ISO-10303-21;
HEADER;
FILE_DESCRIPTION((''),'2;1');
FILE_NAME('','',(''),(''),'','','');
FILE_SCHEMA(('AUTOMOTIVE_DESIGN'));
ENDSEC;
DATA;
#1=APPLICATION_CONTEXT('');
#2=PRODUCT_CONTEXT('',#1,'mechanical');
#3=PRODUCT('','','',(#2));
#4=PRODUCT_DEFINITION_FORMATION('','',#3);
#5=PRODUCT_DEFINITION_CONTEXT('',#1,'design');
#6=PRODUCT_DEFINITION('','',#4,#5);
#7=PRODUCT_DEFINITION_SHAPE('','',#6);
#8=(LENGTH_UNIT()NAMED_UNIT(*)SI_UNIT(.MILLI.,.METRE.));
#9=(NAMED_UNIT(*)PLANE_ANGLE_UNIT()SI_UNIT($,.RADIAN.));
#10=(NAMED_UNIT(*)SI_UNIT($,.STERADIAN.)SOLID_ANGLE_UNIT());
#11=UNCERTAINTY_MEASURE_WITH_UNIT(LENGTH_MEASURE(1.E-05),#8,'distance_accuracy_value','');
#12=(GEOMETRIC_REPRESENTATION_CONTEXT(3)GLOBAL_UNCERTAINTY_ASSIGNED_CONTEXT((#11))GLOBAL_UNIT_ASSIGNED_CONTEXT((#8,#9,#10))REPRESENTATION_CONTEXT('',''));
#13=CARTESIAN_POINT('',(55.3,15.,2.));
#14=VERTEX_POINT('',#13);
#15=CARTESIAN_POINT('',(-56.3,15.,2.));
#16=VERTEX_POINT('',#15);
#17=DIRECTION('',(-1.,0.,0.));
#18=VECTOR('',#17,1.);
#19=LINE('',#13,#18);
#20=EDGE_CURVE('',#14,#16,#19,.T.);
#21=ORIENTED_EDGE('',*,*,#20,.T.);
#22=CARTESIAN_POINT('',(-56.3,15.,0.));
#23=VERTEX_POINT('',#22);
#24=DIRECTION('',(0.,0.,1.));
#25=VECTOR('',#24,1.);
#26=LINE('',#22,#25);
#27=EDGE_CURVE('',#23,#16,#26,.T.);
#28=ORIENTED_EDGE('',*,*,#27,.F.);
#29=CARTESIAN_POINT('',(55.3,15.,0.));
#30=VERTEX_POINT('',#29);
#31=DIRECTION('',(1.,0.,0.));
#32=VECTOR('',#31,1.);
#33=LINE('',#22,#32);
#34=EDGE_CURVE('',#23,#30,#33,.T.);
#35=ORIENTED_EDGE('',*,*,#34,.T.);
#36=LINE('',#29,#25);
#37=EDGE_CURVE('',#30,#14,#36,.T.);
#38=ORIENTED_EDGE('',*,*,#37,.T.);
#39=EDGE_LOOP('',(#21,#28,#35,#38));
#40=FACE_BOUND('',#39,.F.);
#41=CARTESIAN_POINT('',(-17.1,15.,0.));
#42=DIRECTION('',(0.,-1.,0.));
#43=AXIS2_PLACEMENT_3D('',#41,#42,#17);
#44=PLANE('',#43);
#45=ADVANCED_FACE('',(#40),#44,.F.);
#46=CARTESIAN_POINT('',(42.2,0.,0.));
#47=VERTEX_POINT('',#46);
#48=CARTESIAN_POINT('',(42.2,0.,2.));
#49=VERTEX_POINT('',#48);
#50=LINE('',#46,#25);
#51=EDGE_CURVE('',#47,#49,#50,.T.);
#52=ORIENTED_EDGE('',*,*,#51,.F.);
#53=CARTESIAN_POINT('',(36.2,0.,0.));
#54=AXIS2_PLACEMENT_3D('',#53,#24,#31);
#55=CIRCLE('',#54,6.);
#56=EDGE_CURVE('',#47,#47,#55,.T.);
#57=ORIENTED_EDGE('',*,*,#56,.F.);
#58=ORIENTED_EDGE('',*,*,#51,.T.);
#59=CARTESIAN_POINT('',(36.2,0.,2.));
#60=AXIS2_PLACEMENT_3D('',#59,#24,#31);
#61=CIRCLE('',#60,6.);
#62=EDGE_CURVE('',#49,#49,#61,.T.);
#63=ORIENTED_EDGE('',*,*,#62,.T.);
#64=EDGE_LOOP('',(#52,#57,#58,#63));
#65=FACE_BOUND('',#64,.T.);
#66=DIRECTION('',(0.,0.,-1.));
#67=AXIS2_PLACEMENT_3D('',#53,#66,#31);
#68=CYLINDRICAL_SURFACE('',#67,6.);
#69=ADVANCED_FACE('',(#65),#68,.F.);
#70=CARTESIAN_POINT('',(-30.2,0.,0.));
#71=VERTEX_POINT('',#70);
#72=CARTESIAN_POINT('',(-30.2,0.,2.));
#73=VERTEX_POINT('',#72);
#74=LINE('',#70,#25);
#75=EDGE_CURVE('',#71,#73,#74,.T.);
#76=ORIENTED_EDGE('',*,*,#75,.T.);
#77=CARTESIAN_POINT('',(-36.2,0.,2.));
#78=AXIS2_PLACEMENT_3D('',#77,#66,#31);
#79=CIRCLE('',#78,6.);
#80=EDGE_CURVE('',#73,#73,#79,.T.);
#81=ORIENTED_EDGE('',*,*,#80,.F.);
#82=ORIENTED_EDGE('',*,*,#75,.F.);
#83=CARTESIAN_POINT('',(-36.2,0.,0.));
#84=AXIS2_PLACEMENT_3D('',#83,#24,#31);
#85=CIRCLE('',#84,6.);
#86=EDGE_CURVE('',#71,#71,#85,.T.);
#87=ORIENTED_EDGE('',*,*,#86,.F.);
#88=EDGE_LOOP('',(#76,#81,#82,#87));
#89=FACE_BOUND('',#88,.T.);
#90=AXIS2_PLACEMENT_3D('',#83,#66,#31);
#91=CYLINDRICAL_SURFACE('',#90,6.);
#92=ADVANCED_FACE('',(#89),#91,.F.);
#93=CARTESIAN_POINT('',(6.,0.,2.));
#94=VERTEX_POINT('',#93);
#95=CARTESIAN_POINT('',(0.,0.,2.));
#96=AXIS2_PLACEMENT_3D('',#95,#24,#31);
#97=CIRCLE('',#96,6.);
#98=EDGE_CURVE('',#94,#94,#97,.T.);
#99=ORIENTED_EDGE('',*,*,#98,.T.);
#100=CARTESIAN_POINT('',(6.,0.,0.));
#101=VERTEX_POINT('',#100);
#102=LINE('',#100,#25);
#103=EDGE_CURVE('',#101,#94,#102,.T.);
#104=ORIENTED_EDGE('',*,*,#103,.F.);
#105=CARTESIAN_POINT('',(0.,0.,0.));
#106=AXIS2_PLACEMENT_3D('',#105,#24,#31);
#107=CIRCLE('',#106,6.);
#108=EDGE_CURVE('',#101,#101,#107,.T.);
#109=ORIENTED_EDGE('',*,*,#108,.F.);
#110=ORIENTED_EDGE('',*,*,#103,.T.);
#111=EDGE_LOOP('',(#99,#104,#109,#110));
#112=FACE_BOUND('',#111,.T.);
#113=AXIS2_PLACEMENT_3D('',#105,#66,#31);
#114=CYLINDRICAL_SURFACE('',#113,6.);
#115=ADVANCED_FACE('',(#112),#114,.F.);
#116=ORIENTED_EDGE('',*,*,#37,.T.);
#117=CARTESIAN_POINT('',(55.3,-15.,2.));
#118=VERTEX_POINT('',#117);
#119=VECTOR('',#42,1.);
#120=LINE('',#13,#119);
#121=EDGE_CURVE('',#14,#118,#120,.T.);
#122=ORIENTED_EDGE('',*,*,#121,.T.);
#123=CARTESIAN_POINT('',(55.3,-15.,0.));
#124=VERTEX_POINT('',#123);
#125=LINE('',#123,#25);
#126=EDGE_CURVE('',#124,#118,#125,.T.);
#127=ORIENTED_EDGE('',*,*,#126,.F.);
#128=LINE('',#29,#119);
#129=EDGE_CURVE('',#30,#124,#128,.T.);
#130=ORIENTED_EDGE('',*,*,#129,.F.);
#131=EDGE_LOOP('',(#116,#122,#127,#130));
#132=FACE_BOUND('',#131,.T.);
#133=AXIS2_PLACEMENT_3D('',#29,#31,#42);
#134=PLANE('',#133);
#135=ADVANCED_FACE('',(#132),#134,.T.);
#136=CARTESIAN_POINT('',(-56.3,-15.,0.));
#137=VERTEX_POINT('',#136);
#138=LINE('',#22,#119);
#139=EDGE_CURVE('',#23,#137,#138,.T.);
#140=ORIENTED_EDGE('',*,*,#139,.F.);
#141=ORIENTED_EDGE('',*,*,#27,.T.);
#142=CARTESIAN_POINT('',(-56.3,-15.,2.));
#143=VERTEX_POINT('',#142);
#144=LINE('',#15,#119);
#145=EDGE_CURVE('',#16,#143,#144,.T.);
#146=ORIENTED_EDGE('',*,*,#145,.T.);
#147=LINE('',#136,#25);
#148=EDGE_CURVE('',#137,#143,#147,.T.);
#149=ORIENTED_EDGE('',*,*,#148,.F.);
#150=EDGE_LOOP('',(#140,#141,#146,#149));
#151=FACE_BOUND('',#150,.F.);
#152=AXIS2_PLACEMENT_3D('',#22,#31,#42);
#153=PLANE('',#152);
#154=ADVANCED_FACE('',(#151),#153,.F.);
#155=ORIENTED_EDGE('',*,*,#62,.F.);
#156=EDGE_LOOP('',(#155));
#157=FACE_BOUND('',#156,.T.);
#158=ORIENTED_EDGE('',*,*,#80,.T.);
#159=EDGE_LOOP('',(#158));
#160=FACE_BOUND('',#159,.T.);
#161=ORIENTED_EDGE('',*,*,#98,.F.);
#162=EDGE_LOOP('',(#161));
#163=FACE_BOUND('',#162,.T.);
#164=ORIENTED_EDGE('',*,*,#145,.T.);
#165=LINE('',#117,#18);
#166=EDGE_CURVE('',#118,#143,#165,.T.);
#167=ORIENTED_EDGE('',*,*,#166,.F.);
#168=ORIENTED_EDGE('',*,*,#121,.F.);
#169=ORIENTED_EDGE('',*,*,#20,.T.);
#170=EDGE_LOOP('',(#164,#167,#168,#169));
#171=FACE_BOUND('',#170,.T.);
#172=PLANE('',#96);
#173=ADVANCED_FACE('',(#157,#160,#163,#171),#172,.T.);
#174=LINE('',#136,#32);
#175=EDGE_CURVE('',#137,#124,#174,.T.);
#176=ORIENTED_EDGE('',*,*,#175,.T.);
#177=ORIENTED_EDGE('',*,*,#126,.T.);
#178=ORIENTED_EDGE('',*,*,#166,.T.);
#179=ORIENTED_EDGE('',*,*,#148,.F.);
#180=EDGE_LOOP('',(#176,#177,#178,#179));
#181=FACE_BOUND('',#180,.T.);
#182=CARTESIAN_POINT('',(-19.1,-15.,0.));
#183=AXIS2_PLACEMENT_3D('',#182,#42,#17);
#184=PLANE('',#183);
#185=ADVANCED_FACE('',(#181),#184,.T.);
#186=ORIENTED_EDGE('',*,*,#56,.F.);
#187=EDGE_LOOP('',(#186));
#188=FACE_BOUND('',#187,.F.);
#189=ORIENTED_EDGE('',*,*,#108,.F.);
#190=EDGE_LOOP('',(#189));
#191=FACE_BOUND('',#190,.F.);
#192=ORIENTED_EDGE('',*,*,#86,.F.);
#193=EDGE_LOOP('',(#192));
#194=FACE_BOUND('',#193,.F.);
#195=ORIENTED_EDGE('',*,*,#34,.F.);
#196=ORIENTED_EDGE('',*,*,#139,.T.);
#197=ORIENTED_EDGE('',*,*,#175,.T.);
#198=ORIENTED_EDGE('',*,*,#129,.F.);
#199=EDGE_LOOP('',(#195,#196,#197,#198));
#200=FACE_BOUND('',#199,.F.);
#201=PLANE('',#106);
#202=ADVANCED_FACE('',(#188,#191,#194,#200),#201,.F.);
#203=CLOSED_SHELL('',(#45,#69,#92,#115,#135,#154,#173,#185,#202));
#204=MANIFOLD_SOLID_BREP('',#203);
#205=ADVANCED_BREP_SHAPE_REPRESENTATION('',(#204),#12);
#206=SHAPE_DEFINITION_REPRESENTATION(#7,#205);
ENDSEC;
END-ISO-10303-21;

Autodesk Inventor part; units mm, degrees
ref_plane "YZ Plane" through (0, 0, 0) normal (1, 0, 0) x (0, 1, 0)
ref_plane "XZ Plane" through (0, 0, 0) normal (0, 1, 0) x (-1, 0, 0)
ref_plane "XY Plane" through (0, 0, 0) normal (0, 0, 1) x (1, 0, 0)
sketch "Sketch1" plane through (0, 0, 0) normal (0, 0, 1) x (1, 0, 0)
  circle A0 centre (-36.2, 0) radius 6 projected
  circle A1 centre (0, 0) radius 6 projected
  circle A2 centre (36.2, 0) radius 6 projected
  line L0 (-36.2, 0) -> (-18.1, 0)
  line L1 (-36.2, 0) -> (-54.3, 0)
  line L2 (0, 0) -> (18.1, 0)
  line L3 (36.2, 0) -> (54.3, 0)
  line L4 (-54.3, 0) -> (-55.3, 0)
  line L5 (-56.3, 15) -> (-56.3, -15)
  line L6 (-56.3, -15) -> (-54.3, -15)
  line L7 (-54.3, -15) -> (-54.3, 15)
  line L8 (-54.3, 15) -> (-56.3, 15)
  line L9 (-56.3, 15) -> (-54.3, -15) construction
  line L10 (-56.3, -15) -> (-54.3, 15) construction
  line L11 (-19.1, 15) -> (-19.1, -15)
  line L12 (-19.1, -15) -> (-17.1, -15)
  line L13 (-17.1, -15) -> (-17.1, 15)
  line L14 (-17.1, 15) -> (-19.1, 15)
  line L15 (-19.1, 15) -> (-17.1, -15) construction
  line L16 (-19.1, -15) -> (-17.1, 15) construction
  line L17 (17.1, 15) -> (17.1, -15)
  line L18 (17.1, -15) -> (19.1, -15)
  line L19 (19.1, -15) -> (19.1, 15)
  line L20 (19.1, 15) -> (17.1, 15)
  line L21 (17.1, 15) -> (19.1, -15) construction
  line L22 (17.1, -15) -> (19.1, 15) construction
  line L23 (55.3, 15) -> (55.3, -15)
  line L24 (55.3, -15) -> (53.3, -15)
  line L25 (53.3, -15) -> (53.3, 15)
  line L26 (53.3, 15) -> (55.3, 15)
  line L27 (55.3, 15) -> (53.3, -15) construction
  line L28 (55.3, -15) -> (53.3, 15) construction
  line L29 (-56.3, 15) -> (55.3, 15)
  line L30 (55.3, 15) -> (55.3, -15)
  line L31 (55.3, -15) -> (-56.3, -15)
  line L32 (-56.3, -15) -> (-56.3, 15)
  point P0 (0, 0)
  dimension "d0" = 18.1
  dimension "d1" = 18.1
  dimension "d2" = 18.1
  dimension "d3" = 18.1
  dimension "d4" = 1
  dimension "d5" = 30
  dimension "d6" = 2
  dimension "d7" = 30
  dimension "d8" = 2
  dimension "d9" = 2
extrude "Extrusion1" add sketch "Sketch1" along normal blind 2 contours L0 L11 L31 L7 L1 A0 | A0 L1 L7 L29 L11 L0 | L11 L14 L13 L12 | L7 L6 L5 L8 | L29 L17 L31 L13 | L20 L19 L18 L17 | L29 L25 L31 L19 | L26 L23 L24 L25
sketch "Sketch2" plane through (0, 0, 2) normal (0, 0, 1) x (1, 0, 0)
  point P0 (0, 0)
properties part number "lvl2_2x2_guard"
